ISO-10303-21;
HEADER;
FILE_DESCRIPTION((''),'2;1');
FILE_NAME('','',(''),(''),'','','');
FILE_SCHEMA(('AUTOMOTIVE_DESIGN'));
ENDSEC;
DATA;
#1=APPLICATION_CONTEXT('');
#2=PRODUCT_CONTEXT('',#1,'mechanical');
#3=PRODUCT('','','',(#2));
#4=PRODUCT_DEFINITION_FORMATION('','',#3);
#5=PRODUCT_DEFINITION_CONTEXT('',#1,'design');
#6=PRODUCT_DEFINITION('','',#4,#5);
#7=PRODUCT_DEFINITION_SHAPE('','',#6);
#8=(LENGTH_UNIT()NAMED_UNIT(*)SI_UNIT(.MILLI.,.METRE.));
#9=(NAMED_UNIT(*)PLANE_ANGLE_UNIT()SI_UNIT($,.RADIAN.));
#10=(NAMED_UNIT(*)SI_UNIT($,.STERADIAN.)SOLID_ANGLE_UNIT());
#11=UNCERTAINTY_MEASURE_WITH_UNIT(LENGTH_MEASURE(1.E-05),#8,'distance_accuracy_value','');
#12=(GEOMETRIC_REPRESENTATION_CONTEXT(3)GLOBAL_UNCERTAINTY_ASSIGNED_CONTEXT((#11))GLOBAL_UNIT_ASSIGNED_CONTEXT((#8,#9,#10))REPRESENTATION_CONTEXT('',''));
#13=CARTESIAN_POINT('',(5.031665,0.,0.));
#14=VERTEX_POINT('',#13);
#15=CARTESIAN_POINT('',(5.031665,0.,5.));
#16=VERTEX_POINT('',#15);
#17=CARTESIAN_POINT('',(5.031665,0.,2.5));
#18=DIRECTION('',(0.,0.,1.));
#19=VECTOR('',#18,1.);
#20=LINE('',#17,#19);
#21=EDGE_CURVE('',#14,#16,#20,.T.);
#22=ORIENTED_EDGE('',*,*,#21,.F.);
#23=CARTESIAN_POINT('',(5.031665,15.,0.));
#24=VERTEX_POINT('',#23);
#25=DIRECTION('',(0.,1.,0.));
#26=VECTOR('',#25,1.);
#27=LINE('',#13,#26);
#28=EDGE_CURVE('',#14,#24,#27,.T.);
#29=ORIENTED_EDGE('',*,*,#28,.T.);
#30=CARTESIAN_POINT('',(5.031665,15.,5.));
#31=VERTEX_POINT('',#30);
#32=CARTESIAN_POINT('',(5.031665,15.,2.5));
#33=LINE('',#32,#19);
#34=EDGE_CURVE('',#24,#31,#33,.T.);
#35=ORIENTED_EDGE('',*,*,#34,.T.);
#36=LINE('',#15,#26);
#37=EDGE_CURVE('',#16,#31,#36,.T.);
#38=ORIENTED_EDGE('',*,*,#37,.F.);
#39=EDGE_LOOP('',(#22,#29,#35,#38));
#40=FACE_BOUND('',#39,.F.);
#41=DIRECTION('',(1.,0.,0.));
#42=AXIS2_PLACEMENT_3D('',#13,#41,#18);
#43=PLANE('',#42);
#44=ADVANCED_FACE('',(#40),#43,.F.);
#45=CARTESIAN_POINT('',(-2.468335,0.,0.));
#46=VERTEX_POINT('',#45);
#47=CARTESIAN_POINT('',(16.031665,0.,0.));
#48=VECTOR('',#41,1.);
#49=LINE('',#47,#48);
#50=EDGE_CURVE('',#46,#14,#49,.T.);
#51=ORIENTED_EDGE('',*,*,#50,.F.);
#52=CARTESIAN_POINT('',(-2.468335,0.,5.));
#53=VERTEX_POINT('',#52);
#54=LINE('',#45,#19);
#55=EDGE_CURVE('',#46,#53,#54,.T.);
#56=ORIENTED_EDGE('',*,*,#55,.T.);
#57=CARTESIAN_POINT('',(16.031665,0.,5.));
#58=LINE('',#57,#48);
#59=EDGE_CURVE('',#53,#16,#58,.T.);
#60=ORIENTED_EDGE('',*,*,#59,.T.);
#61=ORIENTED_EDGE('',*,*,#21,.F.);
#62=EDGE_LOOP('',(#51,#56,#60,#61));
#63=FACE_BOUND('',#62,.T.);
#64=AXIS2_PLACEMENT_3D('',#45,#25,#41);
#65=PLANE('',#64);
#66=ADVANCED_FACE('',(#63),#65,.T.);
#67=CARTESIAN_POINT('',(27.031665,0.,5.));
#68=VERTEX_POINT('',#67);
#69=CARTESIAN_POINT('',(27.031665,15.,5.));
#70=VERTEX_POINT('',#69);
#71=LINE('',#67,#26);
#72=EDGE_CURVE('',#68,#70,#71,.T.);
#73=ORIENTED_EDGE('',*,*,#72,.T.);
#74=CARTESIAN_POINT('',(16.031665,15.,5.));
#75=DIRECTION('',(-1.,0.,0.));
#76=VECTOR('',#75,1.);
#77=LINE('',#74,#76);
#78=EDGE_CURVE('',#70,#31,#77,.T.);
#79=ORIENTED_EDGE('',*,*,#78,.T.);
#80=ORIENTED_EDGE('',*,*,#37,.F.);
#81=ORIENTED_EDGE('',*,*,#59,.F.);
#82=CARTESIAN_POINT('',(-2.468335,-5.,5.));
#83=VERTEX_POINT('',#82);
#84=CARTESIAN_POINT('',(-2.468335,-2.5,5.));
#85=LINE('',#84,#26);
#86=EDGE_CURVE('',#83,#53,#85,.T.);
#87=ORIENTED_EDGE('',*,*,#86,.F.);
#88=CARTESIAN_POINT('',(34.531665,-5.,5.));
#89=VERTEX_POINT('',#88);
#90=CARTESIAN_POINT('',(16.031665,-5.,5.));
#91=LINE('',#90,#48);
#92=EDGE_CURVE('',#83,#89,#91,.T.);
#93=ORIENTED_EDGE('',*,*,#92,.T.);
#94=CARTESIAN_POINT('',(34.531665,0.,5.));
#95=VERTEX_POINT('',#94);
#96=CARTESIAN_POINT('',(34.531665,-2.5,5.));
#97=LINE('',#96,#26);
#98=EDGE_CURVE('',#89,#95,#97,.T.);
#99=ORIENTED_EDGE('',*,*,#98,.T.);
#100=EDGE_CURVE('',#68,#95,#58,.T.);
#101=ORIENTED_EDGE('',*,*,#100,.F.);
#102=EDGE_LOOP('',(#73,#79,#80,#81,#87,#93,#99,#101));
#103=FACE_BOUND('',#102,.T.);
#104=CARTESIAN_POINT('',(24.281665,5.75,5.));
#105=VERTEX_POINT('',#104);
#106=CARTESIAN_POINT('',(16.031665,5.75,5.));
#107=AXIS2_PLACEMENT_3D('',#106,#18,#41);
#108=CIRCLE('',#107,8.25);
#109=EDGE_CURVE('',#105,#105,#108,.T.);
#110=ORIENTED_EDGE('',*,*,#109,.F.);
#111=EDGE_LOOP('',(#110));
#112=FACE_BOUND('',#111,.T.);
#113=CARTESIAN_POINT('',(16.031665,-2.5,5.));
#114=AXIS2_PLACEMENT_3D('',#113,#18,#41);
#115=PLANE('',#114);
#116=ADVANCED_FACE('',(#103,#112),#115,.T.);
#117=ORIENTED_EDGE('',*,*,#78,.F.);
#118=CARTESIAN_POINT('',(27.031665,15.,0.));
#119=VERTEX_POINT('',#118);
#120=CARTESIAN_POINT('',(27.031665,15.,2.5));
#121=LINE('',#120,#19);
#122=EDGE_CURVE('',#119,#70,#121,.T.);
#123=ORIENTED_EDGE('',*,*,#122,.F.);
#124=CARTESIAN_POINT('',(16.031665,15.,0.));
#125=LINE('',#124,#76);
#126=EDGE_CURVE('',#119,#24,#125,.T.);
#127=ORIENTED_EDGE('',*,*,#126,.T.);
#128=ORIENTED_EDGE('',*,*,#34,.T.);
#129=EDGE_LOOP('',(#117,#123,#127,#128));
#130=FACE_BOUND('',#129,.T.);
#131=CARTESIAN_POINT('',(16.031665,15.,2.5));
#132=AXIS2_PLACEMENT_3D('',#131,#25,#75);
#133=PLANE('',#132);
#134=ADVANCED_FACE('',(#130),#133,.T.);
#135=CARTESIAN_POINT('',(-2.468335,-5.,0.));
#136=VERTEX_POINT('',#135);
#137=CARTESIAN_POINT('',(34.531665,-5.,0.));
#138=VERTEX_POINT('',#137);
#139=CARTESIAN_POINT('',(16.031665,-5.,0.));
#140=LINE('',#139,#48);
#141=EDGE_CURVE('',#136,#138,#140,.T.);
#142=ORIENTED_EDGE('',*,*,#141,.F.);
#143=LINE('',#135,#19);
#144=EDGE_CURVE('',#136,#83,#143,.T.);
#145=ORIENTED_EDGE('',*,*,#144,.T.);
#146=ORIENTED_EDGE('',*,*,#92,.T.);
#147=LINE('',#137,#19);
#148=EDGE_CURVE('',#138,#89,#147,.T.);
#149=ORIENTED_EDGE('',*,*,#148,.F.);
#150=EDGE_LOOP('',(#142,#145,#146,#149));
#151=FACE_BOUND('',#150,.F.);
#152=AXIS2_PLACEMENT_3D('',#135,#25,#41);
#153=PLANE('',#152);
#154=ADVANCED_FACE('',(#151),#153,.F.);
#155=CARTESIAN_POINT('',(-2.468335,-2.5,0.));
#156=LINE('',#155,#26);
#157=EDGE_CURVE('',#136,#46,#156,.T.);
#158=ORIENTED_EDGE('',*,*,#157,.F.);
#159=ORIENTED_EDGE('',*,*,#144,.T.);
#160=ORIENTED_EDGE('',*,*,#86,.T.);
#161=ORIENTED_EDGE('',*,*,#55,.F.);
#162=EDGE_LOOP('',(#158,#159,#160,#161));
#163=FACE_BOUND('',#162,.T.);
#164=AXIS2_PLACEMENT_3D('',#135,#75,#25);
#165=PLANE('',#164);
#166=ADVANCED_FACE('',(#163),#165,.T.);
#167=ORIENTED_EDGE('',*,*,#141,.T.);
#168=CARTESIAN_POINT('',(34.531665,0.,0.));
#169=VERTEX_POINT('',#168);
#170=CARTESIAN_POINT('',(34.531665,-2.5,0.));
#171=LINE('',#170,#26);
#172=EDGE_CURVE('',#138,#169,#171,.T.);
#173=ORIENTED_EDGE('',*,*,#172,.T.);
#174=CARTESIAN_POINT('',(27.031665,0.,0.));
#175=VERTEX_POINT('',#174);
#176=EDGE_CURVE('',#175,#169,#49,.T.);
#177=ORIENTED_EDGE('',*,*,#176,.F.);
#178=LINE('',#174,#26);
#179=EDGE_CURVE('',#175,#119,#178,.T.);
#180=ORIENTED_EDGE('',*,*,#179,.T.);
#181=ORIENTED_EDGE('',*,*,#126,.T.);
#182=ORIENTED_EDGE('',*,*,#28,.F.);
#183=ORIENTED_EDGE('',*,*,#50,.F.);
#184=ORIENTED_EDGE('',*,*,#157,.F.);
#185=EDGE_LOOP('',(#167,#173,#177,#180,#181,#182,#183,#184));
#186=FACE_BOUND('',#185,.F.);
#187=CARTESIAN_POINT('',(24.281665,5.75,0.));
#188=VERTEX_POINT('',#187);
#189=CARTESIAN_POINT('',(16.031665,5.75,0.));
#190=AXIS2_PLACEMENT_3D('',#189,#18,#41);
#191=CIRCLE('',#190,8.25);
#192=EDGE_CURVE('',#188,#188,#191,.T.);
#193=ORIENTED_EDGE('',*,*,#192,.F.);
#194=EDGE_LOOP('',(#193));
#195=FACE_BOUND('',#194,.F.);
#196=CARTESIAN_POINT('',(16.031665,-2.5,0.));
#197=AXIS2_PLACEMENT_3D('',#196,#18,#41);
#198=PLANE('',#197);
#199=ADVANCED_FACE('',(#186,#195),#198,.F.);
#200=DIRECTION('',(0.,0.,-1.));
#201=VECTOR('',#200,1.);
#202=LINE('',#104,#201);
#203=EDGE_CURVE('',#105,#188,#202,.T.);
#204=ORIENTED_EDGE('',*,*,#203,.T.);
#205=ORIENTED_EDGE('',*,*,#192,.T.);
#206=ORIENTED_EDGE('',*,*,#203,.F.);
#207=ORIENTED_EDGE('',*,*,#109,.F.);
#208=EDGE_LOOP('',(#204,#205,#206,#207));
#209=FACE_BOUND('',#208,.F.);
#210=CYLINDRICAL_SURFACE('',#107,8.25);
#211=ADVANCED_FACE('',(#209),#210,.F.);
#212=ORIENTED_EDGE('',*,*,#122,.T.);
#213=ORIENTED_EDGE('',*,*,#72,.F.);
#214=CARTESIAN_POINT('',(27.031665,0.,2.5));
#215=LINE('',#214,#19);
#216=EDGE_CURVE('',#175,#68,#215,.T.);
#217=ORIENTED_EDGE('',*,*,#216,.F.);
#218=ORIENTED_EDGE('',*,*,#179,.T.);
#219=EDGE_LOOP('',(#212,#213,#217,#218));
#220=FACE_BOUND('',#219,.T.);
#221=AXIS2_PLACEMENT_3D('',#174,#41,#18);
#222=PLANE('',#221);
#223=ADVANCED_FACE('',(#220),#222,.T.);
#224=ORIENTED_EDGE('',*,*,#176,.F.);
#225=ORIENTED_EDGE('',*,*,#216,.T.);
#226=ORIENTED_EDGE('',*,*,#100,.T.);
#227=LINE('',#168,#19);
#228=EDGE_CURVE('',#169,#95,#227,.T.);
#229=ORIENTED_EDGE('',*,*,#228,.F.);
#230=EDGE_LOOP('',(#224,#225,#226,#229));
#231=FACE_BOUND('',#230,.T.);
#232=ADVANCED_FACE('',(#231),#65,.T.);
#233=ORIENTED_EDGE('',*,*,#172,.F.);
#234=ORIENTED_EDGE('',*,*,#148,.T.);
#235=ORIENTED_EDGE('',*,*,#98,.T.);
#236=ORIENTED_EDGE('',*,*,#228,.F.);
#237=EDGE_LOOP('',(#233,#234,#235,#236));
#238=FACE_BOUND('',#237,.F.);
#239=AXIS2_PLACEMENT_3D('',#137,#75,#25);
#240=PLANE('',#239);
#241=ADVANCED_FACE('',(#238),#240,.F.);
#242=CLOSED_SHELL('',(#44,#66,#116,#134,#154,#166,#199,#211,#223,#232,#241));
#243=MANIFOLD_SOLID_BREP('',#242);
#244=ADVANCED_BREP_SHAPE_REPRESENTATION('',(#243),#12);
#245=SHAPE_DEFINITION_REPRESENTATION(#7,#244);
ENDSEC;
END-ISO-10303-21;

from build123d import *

# Parameters (mm, degrees)
F0_W     = 37
F0_H     = 5
F1_DEPTH = 5
F2_W     = 22
F2_H     = 5
F3_DEPTH = 15
F4_R     = 8.25
F5_DEPTH = 25.4


with BuildPart() as f1:
    # F0 (on Top) → F1 (new body)
    with BuildSketch(Plane.XY):
        with Locations((16.031665, -2.5)):
            Rectangle(F0_W, F0_H)
    extrude(amount=F1_DEPTH)

    # F2 (on face) → F3 (join)
    with BuildSketch(Plane(origin=(0, 0, 0), x_dir=(-1, 0, 0), z_dir=(0, 1, 0))):
        with Locations((-16.031665, 2.5)):
            Rectangle(F2_W, F2_H)
    extrude(amount=F3_DEPTH)

    # F4 (on face) → F5 (cut)
    with BuildSketch(Plane.XY.offset(5)):
        with Locations((16.031665, 5.75)):
            Circle(F4_R)
    extrude(amount=-F5_DEPTH, mode=Mode.SUBTRACT)


solid = f1.part
